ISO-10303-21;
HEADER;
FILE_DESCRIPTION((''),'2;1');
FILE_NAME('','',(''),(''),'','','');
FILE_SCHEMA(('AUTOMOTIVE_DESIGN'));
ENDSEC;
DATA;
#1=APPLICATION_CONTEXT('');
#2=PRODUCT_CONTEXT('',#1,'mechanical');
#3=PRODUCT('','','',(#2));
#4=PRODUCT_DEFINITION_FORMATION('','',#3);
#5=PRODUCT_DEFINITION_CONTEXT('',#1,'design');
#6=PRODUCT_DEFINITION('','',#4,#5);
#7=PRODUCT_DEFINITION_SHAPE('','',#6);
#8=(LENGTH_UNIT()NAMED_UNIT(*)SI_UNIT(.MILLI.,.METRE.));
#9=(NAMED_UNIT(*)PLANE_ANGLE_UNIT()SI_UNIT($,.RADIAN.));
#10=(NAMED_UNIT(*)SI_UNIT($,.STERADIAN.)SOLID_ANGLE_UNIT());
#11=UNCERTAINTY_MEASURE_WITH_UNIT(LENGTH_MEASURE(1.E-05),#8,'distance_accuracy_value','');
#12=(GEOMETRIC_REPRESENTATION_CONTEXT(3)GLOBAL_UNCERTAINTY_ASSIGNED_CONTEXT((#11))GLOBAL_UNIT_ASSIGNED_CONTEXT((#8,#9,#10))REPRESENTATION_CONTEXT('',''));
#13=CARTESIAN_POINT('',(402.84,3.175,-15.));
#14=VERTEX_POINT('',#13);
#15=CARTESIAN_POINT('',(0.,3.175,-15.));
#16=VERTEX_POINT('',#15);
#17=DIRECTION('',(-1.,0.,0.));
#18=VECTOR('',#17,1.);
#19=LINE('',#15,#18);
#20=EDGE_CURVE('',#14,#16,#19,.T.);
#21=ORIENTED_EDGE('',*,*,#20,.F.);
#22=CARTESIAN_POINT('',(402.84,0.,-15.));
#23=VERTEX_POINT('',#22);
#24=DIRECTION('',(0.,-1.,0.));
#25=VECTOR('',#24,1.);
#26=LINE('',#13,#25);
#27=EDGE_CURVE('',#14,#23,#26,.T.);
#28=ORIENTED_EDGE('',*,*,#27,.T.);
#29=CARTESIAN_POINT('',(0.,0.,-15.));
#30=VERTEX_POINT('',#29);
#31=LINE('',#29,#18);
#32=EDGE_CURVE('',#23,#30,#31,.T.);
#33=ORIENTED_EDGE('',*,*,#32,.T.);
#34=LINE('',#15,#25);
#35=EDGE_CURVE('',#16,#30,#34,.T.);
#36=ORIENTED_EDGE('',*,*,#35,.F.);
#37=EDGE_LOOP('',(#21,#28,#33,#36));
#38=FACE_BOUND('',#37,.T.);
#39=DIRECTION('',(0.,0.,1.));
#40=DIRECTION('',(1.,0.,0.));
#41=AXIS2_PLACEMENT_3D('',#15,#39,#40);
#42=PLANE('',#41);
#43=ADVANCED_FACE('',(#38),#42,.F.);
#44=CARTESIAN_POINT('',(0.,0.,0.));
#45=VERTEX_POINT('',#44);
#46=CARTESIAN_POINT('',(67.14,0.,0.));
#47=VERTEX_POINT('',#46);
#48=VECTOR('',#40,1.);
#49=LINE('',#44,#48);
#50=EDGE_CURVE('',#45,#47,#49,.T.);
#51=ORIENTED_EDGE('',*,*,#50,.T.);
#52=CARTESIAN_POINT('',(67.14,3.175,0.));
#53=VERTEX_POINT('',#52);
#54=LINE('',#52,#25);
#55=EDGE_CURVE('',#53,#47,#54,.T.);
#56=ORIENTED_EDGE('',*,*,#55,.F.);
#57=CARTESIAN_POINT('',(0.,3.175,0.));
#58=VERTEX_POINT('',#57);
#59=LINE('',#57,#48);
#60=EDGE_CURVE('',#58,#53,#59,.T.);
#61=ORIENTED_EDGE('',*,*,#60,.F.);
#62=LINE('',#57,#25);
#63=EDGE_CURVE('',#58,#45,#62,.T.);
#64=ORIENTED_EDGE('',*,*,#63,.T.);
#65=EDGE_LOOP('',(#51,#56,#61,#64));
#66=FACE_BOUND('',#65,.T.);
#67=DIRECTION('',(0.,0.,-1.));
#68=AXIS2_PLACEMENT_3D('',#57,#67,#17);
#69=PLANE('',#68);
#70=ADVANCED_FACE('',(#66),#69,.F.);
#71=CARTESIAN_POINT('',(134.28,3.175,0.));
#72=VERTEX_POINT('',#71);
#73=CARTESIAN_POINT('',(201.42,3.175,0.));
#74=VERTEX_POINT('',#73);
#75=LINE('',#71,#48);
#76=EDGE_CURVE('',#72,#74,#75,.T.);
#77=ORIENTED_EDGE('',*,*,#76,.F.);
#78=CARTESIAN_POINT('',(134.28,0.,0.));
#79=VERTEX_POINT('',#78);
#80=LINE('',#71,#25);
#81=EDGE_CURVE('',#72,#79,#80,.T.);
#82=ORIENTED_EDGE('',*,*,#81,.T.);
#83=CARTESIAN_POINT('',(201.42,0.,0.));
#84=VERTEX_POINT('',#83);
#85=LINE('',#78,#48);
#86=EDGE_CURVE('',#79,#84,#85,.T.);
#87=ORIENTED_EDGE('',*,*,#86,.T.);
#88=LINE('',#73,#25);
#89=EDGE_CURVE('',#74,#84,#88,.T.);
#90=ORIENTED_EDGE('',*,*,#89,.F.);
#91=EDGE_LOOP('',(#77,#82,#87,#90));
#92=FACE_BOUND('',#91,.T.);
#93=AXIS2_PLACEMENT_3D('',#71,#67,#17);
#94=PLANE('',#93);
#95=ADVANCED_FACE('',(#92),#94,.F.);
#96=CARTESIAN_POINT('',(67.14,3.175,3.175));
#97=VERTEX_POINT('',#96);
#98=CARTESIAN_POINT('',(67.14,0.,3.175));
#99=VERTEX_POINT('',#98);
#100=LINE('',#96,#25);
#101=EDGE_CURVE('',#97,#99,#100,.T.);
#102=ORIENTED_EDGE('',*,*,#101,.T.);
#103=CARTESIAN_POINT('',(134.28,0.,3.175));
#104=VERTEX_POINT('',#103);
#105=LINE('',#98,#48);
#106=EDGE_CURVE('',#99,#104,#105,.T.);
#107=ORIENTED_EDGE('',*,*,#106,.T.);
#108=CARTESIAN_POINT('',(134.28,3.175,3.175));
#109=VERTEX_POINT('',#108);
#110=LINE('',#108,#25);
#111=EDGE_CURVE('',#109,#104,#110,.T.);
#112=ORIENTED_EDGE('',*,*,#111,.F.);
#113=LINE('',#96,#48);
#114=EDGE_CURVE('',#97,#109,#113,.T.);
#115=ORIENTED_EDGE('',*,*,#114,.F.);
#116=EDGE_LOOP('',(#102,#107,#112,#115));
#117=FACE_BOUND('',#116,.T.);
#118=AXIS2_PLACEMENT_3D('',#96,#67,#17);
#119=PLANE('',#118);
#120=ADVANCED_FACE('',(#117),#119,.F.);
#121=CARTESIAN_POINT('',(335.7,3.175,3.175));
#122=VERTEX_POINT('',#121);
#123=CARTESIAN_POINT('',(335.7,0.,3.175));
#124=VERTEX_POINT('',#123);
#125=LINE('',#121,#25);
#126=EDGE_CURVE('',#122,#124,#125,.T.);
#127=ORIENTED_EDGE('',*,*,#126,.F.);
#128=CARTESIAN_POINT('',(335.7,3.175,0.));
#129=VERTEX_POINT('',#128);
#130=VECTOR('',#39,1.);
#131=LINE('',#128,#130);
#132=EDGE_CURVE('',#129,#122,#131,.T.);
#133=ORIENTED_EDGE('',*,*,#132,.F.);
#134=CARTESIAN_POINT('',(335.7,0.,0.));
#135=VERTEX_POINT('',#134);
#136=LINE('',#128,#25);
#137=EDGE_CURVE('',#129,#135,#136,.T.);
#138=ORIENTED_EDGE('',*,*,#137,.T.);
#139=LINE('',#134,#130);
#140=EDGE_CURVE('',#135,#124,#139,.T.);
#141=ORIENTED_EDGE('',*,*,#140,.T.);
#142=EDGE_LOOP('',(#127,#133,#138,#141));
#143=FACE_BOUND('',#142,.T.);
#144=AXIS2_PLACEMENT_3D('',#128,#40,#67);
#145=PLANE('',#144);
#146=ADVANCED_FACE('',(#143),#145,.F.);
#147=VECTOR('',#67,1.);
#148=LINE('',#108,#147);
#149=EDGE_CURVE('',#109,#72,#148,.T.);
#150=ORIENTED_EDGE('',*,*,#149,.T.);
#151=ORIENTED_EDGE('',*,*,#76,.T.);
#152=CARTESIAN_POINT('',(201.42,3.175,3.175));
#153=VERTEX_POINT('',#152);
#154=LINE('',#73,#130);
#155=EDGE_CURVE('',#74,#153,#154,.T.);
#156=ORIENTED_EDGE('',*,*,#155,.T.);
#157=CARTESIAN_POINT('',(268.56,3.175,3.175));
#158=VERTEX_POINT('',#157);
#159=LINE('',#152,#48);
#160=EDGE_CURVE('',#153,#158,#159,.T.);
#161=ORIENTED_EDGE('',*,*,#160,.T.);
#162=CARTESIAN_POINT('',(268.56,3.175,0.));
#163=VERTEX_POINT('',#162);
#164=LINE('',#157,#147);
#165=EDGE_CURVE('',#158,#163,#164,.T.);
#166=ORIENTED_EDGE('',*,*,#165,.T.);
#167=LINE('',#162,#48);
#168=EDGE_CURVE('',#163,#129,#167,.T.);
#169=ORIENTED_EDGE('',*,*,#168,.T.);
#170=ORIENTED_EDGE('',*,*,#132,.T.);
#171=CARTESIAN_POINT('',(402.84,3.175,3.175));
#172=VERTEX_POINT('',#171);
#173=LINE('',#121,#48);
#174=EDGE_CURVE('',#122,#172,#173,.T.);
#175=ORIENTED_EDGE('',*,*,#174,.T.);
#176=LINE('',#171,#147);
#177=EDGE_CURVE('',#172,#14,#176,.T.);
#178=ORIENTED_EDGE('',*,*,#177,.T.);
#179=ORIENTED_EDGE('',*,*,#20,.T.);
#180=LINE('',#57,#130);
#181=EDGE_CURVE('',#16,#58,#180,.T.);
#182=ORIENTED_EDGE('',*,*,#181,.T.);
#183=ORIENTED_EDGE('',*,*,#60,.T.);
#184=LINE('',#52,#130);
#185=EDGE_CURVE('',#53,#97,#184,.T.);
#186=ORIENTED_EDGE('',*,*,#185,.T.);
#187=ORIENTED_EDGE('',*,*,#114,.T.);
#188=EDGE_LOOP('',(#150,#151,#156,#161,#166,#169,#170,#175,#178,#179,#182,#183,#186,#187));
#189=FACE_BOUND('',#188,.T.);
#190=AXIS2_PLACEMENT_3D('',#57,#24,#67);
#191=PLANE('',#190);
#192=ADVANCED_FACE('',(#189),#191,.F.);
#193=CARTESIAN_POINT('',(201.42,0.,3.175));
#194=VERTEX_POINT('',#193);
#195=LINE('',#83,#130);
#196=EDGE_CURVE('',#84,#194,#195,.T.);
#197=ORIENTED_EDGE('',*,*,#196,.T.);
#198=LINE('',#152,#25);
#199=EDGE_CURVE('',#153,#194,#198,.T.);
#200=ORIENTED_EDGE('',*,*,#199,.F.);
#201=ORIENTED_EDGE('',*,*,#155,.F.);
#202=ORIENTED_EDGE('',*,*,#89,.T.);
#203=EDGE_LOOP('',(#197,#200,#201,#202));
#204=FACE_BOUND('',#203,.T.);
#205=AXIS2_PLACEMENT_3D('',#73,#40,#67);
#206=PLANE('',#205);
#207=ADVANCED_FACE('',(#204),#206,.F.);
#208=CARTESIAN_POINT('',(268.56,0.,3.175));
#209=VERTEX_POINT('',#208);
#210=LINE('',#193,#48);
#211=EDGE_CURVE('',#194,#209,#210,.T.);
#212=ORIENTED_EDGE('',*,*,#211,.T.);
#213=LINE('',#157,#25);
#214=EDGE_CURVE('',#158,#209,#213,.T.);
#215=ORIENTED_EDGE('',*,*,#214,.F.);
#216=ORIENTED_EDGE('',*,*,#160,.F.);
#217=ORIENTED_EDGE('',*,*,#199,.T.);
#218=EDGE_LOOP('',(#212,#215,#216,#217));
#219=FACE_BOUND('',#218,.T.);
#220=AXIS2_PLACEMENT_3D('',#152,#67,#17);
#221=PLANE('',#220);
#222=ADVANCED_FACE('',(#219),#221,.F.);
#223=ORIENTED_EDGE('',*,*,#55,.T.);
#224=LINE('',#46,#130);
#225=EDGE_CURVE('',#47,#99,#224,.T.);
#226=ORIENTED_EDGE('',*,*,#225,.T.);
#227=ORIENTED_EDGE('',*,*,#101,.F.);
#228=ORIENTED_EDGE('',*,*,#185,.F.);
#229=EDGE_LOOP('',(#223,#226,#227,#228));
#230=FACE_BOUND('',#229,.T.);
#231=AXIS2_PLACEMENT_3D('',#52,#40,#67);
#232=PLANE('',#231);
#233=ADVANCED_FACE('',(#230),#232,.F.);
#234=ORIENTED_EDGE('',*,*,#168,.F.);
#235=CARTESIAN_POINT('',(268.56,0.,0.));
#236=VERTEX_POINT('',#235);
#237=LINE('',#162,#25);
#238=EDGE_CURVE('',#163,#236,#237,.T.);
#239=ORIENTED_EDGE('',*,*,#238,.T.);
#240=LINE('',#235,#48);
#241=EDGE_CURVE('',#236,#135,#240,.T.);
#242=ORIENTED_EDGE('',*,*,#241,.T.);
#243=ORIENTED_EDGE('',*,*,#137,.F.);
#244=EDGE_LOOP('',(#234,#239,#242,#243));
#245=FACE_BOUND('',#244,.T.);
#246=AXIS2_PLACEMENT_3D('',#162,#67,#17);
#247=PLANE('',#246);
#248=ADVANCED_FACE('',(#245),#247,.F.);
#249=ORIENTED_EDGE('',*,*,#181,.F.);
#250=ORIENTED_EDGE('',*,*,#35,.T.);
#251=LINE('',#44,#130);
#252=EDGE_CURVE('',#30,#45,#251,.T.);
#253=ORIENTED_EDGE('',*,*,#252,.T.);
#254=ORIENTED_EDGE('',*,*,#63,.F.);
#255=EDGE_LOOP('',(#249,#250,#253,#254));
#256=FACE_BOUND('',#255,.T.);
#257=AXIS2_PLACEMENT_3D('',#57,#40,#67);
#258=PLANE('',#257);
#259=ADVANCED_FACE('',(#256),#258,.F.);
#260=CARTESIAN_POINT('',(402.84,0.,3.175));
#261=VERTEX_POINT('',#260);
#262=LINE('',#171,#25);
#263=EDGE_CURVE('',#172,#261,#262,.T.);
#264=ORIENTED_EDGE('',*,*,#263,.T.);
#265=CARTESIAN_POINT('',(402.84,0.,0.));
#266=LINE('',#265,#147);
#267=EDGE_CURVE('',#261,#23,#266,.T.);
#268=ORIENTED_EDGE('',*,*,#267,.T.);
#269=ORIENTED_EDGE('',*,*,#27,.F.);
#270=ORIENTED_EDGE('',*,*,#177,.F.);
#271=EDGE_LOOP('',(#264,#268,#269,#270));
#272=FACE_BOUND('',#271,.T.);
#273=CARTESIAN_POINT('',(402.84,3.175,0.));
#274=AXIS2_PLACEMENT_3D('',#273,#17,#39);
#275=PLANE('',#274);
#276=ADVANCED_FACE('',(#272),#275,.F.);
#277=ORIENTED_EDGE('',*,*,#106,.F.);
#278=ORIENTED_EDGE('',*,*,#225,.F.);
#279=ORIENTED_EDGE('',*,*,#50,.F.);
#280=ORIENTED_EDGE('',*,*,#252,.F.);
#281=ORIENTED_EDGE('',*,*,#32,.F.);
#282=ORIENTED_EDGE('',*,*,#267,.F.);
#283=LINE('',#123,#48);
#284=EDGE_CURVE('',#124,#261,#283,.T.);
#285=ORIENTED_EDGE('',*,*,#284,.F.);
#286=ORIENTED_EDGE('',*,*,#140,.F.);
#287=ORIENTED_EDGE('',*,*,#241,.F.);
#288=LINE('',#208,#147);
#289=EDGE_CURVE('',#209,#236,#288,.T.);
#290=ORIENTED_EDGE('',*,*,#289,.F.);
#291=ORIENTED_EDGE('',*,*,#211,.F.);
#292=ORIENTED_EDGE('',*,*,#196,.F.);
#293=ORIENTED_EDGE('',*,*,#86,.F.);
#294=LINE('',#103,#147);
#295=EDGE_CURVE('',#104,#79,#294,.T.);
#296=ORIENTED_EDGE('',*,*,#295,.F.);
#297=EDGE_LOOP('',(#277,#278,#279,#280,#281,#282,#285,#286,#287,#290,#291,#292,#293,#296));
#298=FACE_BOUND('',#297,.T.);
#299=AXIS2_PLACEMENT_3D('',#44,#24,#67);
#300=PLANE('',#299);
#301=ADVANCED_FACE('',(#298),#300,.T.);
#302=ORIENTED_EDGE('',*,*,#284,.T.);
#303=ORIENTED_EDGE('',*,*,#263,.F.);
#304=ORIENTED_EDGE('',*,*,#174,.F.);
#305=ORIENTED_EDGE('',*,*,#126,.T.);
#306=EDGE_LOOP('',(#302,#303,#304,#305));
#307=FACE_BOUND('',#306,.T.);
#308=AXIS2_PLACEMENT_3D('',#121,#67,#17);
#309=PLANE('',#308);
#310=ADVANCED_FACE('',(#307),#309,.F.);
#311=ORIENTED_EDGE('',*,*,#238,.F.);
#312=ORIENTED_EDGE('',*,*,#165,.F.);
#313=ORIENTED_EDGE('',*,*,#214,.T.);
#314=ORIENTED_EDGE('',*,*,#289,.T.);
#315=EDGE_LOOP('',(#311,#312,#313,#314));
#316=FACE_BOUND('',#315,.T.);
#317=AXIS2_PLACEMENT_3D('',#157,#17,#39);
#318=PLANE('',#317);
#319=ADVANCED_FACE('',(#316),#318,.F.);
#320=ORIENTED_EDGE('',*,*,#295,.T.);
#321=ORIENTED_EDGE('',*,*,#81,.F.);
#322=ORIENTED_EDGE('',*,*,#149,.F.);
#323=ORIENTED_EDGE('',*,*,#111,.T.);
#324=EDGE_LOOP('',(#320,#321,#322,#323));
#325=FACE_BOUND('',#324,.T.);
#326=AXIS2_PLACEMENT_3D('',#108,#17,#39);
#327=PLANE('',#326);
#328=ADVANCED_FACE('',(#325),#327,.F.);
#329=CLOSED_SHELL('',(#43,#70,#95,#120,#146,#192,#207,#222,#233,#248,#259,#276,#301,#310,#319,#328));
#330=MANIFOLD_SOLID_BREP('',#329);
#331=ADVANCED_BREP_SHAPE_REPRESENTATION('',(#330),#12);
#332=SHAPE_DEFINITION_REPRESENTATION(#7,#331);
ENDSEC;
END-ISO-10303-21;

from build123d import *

# Parameters (mm, degrees)
BOSS_EXTRUDE1_DEPTH = 3.175


with BuildPart() as part:
    # Sketch1 → Boss-Extrude1 (new body)
    with BuildSketch(Plane(origin=(0, 0, 0), x_dir=(1, 0, 0), z_dir=(0, 1, 0))):
        Polygon((0, 0), (67.14, 0), (67.14, -3.175), (134.28, -3.175), (134.28, 0), (201.42, 0), (201.42, -3.175), (268.56, -3.175), (268.56, 0), (335.7, 0), (335.7, -3.175), (402.84, -3.175), (402.84, 0), (402.84, 15), (0, 15), align=None)
    extrude(amount=BOSS_EXTRUDE1_DEPTH)


solid = part.part
